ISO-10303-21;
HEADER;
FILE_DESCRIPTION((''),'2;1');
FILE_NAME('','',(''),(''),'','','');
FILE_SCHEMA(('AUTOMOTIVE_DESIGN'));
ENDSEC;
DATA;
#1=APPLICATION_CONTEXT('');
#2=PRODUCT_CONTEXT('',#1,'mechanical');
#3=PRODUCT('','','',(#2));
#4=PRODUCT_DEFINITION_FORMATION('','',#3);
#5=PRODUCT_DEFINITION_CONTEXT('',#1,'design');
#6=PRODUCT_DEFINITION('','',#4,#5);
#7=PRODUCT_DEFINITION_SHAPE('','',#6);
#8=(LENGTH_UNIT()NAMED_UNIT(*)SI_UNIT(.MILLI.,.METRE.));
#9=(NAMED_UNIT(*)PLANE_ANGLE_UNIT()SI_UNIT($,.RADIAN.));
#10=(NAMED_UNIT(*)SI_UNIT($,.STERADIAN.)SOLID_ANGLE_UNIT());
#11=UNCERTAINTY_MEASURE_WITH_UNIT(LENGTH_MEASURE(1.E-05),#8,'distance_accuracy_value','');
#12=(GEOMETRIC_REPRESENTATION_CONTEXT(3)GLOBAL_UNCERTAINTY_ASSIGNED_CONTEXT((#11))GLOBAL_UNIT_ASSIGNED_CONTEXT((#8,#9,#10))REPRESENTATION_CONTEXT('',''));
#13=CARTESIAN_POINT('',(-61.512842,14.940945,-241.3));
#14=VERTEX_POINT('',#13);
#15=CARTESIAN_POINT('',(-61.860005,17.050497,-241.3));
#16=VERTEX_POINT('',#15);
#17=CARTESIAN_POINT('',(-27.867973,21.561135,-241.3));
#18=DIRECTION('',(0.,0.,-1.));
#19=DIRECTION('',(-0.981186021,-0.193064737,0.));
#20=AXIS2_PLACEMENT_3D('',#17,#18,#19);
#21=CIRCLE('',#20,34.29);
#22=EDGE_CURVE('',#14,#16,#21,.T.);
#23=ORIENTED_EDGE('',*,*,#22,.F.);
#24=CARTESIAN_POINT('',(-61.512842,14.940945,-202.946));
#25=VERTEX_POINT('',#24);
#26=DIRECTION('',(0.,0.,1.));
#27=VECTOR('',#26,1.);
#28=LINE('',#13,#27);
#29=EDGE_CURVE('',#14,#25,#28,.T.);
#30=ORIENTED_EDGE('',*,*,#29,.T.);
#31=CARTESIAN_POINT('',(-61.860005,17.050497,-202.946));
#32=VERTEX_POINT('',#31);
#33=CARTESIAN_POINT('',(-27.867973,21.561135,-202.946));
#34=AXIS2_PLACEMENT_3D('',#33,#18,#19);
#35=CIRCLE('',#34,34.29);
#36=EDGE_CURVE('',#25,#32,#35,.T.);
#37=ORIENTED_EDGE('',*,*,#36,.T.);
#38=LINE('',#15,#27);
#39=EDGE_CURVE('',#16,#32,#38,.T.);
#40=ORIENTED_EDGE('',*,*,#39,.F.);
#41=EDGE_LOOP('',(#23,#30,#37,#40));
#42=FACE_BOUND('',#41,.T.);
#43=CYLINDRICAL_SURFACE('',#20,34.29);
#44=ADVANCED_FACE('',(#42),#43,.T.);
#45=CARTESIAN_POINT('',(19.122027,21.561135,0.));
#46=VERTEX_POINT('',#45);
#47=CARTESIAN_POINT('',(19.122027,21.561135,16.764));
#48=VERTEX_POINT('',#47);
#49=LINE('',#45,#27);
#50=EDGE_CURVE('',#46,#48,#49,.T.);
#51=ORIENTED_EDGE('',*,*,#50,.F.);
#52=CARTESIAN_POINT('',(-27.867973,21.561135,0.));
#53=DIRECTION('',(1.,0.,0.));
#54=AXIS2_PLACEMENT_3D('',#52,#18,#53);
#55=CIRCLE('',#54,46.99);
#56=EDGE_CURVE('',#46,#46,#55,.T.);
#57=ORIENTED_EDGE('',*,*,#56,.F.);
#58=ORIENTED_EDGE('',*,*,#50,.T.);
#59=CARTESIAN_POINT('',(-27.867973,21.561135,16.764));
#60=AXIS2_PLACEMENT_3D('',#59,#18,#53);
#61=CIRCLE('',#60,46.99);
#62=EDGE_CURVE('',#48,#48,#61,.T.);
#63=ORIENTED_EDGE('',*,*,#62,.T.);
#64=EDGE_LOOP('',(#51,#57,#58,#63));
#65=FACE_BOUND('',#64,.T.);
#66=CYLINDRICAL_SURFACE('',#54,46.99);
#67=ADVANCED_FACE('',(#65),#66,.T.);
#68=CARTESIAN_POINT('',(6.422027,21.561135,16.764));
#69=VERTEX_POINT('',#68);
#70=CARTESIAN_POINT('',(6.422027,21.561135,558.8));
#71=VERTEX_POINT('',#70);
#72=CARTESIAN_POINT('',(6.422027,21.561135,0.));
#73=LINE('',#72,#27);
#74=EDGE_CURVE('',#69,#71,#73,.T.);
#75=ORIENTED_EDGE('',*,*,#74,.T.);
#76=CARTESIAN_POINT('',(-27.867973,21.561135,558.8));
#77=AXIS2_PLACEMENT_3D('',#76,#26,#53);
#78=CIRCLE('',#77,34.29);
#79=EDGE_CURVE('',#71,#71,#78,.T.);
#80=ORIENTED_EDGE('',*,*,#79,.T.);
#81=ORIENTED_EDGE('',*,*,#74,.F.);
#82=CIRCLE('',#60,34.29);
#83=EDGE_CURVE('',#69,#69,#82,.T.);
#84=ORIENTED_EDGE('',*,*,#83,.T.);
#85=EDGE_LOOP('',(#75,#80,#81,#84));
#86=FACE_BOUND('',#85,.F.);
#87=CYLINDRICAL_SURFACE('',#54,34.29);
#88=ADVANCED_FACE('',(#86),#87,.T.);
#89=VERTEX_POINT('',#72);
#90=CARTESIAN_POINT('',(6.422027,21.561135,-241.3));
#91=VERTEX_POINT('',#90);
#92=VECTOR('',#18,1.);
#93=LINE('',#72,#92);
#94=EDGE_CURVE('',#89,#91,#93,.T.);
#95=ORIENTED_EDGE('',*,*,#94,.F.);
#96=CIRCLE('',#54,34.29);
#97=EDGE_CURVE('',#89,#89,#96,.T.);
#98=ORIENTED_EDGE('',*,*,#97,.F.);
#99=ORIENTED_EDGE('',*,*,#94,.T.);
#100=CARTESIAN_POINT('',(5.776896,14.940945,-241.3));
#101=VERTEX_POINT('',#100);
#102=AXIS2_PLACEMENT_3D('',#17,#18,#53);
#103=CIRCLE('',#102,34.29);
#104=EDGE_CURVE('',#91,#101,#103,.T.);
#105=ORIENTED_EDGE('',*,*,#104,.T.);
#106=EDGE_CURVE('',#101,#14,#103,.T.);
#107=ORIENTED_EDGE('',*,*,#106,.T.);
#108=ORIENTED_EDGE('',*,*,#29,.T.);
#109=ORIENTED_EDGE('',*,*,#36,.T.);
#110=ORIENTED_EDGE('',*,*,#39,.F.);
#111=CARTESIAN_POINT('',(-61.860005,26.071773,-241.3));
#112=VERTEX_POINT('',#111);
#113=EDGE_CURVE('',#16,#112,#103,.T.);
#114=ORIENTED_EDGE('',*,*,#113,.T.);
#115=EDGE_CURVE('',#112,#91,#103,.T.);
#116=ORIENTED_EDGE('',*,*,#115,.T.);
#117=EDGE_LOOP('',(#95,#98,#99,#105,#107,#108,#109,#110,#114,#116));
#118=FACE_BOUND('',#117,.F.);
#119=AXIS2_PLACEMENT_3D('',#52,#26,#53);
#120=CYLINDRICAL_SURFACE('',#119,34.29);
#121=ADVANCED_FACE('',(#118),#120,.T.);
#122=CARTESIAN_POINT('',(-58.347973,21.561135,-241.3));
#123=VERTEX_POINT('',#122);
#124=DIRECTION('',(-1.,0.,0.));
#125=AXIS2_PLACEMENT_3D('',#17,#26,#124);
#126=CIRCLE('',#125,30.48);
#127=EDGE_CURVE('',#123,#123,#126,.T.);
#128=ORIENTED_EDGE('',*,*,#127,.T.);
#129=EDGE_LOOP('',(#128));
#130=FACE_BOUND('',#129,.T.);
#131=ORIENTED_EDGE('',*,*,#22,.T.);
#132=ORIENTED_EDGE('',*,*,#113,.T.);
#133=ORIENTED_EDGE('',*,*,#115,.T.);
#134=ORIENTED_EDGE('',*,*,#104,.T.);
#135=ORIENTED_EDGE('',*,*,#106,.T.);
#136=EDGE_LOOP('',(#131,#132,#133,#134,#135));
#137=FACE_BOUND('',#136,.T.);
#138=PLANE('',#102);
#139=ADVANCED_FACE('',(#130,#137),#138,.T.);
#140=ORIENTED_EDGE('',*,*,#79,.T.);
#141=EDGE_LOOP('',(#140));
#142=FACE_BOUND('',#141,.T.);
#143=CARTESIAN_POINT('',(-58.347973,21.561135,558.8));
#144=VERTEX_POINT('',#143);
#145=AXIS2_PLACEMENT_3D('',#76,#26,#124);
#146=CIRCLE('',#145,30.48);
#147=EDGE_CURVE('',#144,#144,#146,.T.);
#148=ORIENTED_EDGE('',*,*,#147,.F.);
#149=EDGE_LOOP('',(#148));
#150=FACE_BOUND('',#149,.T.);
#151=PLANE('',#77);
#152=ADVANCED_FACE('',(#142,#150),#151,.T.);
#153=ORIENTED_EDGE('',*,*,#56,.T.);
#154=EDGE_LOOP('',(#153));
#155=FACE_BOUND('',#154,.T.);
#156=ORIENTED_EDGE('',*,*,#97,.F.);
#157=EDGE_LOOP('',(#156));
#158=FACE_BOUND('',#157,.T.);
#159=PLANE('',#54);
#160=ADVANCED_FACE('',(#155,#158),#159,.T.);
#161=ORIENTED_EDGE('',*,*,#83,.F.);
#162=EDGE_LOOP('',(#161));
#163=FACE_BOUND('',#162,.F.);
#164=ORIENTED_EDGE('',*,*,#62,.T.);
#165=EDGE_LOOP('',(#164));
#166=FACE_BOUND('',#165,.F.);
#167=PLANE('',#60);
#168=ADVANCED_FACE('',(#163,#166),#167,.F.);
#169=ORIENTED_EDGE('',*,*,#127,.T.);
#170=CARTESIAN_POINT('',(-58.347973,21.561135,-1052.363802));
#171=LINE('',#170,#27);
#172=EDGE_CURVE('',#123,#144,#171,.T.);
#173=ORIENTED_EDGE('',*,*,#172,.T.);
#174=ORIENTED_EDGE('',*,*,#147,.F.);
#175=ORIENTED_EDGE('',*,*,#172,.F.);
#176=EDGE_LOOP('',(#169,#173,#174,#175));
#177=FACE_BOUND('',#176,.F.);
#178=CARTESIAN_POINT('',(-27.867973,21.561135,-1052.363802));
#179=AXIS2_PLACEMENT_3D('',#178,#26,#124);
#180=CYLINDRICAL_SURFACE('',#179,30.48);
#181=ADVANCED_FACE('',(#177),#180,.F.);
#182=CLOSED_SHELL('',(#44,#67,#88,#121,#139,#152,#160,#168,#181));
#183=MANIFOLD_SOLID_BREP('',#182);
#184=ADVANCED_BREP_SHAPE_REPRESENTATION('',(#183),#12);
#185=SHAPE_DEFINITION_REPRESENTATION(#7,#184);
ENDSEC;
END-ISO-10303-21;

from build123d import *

# Parameters (mm, degrees)
F0_R     = 34.29
F1_DEPTH = 558.8
F2_R     = 46.99
F2_R_2   = 34.29
F3_DEPTH = 16.764
F4_R     = 34.29
F5_DEPTH = 241.3
F7_DEPTH = 38.354
F9_D     = 60.96


with BuildPart() as f1:
    # F0 (on Top) → F1 (new body)
    with BuildSketch(Plane.XY):
        with Locations((-27.8679728508, 21.5611346066)):
            Circle(F0_R)
    extrude(amount=F1_DEPTH)

    # F2 (on face) → F3 (join)
    with BuildSketch(Plane(origin=(0, 0, 0), x_dir=(1, 0, 0), z_dir=(0, 0, -1))):
        with Locations((-27.8679728508, -21.5611346066)):
            Circle(F2_R)
        with Locations((-27.8679728508, -21.5611346066)):
            Circle(F2_R_2, mode=Mode.SUBTRACT)
    extrude(amount=-F3_DEPTH)

    # F4 (on face) → F5 (join)
    with BuildSketch(Plane(origin=(0, 0, 0), x_dir=(1, 0, 0), z_dir=(0, 0, -1))):
        with Locations((-27.8679728508, -21.5611346066)):
            Circle(F4_R)
    extrude(amount=F5_DEPTH)

    # F6 (on face) → F7 (join)
    with BuildSketch(Plane(origin=(0, 0, -241.3), x_dir=(1, 0, 0), z_dir=(0, 0, -1))):
        with BuildLine():
            Line((5.7768958027, -26.0717726025), (5.7768958027, -14.9409447837))
            Line((5.7768958027, -14.9409447837), (-61.5128415043, -14.9409447837))
            ThreePointArc((-61.5128415043, -14.9409447837), (-61.702868113, -15.9930144037), (-61.86000493, -17.0504966107))
            Line((-61.86000493, -17.0504966107), (-61.86000493, -26.0717726025))
            Line((-61.86000493, -26.0717726025), (5.7768958027, -26.0717726025))
        make_face()
    extrude(amount=-F7_DEPTH)

    # F9 (through all)
    with Locations(Plane(origin=(0, 0, -241.3), x_dir=(1, 0, 0), z_dir=(0, 0, -1))):
        with Locations((-27.8679728508, -21.5611346066)):
            Hole(F9_D / 2)


solid = f1.part
